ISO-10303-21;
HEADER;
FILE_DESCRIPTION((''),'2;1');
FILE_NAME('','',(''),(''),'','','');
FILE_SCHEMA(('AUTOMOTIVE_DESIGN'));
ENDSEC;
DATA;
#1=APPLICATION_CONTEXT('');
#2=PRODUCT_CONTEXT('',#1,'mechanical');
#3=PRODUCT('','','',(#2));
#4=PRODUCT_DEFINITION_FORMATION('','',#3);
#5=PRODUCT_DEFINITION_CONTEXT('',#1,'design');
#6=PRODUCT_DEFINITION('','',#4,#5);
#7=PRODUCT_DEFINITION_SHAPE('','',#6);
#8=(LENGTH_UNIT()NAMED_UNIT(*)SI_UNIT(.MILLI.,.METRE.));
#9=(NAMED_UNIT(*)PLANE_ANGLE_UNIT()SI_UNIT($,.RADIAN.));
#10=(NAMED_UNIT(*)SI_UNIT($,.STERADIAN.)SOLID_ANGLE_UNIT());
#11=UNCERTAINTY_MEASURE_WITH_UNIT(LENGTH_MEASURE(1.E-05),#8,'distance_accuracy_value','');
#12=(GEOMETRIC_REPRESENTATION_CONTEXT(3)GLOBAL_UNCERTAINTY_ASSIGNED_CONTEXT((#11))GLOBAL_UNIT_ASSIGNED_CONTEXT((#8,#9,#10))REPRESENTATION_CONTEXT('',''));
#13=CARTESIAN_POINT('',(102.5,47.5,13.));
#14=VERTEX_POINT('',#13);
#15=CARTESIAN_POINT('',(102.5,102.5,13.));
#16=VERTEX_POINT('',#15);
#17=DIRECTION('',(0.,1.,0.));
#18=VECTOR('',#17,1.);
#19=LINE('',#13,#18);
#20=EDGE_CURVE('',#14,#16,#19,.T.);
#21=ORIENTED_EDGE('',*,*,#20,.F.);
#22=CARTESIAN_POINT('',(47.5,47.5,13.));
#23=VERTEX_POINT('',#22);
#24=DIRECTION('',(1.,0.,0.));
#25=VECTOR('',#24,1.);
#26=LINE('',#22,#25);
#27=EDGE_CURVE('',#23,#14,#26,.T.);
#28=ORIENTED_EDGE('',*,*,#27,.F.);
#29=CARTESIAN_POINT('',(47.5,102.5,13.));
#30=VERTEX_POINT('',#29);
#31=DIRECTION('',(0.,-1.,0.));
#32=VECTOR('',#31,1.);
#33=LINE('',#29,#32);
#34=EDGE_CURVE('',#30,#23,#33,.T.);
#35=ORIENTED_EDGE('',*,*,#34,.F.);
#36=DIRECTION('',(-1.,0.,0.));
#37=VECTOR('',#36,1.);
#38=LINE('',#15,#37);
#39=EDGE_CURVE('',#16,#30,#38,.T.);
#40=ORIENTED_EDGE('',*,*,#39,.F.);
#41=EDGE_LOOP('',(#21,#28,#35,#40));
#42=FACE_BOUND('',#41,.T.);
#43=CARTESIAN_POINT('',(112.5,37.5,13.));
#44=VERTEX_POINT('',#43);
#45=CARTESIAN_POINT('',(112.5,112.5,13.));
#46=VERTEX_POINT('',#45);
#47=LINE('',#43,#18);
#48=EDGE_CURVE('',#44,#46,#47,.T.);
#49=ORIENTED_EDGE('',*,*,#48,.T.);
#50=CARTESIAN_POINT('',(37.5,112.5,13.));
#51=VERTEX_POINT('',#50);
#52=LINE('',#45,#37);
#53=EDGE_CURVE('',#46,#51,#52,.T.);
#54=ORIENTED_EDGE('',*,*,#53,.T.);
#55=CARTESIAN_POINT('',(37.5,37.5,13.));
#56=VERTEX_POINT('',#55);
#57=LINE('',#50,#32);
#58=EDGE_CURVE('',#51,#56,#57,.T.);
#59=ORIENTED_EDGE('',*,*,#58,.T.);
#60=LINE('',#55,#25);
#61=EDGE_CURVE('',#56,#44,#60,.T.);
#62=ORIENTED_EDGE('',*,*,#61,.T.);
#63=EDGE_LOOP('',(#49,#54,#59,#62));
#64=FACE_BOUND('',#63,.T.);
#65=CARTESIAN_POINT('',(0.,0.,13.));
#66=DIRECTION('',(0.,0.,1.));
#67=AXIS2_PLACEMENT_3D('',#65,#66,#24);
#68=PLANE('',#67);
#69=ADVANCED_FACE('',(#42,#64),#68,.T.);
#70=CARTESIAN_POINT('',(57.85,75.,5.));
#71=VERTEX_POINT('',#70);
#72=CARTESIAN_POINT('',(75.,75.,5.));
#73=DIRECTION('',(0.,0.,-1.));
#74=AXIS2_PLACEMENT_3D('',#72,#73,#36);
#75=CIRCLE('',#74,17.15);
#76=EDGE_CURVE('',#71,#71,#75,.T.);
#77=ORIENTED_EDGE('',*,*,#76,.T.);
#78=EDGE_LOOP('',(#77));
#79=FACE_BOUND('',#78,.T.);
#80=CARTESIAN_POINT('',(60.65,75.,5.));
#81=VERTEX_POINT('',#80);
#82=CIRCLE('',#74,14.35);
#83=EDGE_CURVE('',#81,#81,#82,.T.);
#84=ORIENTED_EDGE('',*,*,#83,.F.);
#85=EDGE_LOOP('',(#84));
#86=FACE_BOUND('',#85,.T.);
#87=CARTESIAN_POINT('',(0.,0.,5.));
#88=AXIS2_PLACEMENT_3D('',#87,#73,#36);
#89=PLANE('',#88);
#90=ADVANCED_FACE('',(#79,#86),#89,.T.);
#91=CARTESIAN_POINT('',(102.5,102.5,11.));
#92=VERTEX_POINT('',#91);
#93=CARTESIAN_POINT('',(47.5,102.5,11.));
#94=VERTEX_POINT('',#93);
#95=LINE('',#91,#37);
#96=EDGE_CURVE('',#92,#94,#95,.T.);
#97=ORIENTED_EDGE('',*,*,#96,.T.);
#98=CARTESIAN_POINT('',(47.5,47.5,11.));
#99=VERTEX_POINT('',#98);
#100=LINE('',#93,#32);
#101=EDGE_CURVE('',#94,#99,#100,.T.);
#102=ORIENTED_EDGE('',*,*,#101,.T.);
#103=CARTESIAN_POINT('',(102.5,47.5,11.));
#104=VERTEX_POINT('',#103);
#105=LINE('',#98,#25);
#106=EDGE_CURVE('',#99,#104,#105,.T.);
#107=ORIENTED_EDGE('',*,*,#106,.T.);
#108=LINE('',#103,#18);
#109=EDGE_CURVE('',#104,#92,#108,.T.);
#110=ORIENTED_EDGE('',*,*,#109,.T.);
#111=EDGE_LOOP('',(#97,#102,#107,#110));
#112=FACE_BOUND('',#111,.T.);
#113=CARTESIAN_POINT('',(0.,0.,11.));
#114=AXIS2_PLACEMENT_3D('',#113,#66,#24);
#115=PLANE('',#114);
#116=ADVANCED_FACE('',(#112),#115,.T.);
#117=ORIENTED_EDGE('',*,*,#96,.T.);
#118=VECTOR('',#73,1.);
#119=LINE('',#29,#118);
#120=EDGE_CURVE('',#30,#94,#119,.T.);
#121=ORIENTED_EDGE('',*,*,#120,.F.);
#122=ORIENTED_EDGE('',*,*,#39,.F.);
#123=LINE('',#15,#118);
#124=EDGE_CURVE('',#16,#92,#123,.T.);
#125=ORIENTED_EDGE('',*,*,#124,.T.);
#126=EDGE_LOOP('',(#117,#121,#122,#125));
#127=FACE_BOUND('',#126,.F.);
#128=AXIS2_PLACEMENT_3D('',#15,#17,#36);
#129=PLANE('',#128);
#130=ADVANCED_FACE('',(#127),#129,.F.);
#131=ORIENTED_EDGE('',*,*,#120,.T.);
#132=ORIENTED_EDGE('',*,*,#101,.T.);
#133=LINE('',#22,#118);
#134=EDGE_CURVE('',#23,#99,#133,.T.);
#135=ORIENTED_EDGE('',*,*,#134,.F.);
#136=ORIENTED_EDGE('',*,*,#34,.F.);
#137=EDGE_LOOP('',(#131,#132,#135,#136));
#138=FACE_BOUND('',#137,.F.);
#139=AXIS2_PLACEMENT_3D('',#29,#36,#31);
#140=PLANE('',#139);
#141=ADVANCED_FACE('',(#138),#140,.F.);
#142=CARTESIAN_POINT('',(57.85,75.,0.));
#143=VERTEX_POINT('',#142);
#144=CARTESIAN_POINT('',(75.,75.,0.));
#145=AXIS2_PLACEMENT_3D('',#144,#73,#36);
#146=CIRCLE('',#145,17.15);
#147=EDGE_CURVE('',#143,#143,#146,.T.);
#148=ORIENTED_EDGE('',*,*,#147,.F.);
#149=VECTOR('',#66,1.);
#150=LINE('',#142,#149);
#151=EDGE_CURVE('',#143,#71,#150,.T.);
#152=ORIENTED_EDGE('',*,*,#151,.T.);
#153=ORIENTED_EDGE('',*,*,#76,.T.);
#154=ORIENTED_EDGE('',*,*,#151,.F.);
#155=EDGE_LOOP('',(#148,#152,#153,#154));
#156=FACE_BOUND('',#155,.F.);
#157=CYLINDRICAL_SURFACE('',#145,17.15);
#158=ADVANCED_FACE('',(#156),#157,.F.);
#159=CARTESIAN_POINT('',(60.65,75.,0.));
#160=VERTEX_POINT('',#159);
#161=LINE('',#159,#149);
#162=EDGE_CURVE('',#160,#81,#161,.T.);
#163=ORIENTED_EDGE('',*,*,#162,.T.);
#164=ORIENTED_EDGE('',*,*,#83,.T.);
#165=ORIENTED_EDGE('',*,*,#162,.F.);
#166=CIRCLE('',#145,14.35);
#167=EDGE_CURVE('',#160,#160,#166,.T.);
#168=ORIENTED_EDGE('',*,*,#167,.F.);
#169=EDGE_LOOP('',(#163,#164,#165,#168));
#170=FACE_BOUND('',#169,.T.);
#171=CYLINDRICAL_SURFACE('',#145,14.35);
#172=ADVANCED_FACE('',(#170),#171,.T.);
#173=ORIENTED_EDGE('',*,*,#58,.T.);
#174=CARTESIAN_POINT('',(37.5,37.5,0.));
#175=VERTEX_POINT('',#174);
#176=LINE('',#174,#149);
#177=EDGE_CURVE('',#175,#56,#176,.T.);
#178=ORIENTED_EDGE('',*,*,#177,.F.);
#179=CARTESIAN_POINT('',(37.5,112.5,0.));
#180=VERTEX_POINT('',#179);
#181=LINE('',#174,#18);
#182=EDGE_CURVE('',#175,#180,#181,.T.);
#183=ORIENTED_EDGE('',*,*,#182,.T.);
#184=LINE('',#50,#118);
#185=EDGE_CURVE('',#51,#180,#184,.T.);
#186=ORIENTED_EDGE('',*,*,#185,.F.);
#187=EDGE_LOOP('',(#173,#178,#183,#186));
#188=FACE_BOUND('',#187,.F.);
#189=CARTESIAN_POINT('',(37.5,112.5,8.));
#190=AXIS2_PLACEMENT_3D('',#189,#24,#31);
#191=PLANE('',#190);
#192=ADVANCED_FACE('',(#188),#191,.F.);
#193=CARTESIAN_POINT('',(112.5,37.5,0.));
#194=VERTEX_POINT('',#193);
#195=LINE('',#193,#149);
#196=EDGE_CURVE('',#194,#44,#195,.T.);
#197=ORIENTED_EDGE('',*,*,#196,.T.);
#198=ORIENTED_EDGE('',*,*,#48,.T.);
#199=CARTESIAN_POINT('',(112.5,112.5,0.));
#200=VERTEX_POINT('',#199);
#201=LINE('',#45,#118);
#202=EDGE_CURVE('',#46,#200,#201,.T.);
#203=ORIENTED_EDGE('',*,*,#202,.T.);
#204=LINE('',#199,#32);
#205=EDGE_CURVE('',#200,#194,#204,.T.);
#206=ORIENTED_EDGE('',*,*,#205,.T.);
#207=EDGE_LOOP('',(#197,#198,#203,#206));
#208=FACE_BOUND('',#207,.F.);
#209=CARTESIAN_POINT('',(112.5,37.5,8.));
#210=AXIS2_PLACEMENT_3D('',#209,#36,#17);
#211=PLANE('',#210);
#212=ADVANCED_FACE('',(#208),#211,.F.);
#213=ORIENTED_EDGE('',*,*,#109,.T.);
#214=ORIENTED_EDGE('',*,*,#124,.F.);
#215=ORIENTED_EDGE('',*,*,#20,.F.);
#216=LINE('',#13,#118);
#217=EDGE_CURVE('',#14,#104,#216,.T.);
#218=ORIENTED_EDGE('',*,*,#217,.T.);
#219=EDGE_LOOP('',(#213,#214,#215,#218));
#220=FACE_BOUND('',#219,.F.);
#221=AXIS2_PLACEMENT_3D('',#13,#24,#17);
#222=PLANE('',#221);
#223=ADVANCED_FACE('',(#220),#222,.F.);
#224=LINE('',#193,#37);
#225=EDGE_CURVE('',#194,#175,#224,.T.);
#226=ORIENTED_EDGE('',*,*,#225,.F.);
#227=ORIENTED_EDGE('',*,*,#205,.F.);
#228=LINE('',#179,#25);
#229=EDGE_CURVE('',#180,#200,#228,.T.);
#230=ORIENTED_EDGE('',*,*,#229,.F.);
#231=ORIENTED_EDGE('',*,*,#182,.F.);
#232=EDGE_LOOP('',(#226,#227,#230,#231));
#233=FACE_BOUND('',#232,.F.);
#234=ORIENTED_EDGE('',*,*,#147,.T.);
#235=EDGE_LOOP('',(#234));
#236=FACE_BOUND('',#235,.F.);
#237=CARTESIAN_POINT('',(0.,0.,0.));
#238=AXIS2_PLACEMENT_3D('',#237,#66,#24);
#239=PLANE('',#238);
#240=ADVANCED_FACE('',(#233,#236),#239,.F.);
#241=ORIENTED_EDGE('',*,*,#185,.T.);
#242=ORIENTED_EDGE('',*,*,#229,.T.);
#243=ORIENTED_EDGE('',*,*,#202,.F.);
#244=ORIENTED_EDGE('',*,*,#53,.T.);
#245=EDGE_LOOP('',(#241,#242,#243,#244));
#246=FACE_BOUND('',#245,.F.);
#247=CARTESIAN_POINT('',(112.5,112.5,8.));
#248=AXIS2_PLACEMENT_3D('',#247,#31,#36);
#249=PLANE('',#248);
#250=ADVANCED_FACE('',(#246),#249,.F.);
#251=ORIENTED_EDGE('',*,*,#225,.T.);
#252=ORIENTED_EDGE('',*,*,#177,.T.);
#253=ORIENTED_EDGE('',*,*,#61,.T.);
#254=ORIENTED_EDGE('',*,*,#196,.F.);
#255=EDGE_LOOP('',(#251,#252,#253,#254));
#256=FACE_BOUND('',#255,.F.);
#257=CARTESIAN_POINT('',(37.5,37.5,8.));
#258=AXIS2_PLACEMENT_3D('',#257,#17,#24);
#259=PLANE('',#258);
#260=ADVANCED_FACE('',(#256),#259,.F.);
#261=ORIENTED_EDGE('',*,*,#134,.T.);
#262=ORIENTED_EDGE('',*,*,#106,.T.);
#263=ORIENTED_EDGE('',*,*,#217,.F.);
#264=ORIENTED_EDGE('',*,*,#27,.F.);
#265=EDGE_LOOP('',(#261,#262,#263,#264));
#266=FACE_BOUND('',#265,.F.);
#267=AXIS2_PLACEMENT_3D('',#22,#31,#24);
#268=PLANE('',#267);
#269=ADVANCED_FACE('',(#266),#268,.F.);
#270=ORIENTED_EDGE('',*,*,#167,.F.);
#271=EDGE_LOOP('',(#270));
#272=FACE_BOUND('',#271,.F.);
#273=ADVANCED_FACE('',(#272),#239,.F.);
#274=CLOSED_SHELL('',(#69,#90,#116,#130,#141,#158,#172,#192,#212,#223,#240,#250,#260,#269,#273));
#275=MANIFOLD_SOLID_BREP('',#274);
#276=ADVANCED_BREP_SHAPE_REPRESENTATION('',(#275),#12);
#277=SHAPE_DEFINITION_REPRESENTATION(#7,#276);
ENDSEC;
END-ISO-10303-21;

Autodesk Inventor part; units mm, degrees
ref_plane "YZ Plane" through (0, 0, 0) normal (1, 0, 0) x (0, 1, 0)
ref_plane "XZ Plane" through (0, 0, 0) normal (0, 1, 0) x (-1, 0, 0)
ref_plane "XY Plane" through (0, 0, 0) normal (0, 0, 1) x (1, 0, 0)
sketch "Sketch4" plane through (0, 0, 0) normal (0, 0, 1) x (1, 0, 0)
  line L0 (0, 0) -> (150, 0)
  line L1 (150, 0) -> (150, 150)
  line L2 (150, 150) -> (0, 150)
  line L3 (0, 150) -> (0, 0)
  dimension "d34" = 150
  dimension "d35" = 150
extrude "Extrusion4" add sketch "Sketch4" along normal blind 10
sketch "Sketch5" plane through (0, 0, 10) normal (0, 0, 1) x (1, 0, 0)
  line L0 (10, 10) -> (140, 10)
  line L1 (140, 10) -> (140, 140)
  line L2 (140, 140) -> (10, 140)
  line L3 (10, 140) -> (10, 10)
  point P0 (0, 0)
  dimension "d38" = 130
  dimension "d39" = 130
extrude "Extrusion5" cut sketch "Sketch5" against normal blind 2
sketch "Sketch6" plane through (0, 0, 0) normal (0, 0, -1) x (-1, 0, 0)
  circle A0 centre (-75, 75) radius 14.35
  circle A1 centre (-75, 75) radius 17.15
  line L0 (-147.5, 2.5) -> (-142.5, 2.5)
  line L1 (-142.5, 2.5) -> (-142.5, 7.5)
  line L2 (-142.5, 7.5) -> (-147.5, 7.5)
  line L3 (-147.5, 7.5) -> (-147.5, 2.5)
  line L4 (-2.5, 2.5) -> (-7.5, 2.5)
  line L5 (-7.5, 2.5) -> (-7.5, 7.5)
  line L6 (-7.5, 7.5) -> (-2.5, 7.5)
  line L7 (-2.5, 7.5) -> (-2.5, 2.5)
  line L8 (-147.5, 147.5) -> (-142.5, 147.5)
  line L9 (-142.5, 147.5) -> (-142.5, 142.5)
  line L10 (-142.5, 142.5) -> (-147.5, 142.5)
  line L11 (-147.5, 142.5) -> (-147.5, 147.5)
  line L12 (-2.5, 147.5) -> (-7.5, 147.5)
  line L13 (-7.5, 147.5) -> (-7.5, 142.5)
  line L14 (-7.5, 142.5) -> (-2.5, 142.5)
  line L15 (-2.5, 142.5) -> (-2.5, 147.5)
  point P0 (0, 0)
  dimension "d42" = 28.7
  dimension "d43" = 34.3
  dimension "d46" = 5
  dimension "d47" = 5
  dimension "d48" = 5
  dimension "d49" = 5
  dimension "d50" = 5
  dimension "d51" = 5
  dimension "d52" = 5
  dimension "d53" = 5
extrude "Extrusion7" cut sketch "Sketch6" against normal blind 5
sketch "Sketch7" plane through (0, 0, 8) normal (0, 0, 1) x (1, 0, 0)
  line L0 (47.5, 102.5) -> (102.5, 102.5)
  line L1 (102.5, 102.5) -> (102.5, 47.5)
  line L2 (102.5, 47.5) -> (47.5, 47.5)
  line L3 (47.5, 47.5) -> (47.5, 102.5)
  point P0 (0, 0)
  dimension "d58" = 55
  dimension "d59" = 55
extrude "Extrusion8" cut sketch "Sketch7" against normal blind 2
sketch "Sketch8" plane through (0, 0, 10) normal (0, 0, 1) x (1, 0, 0)
  line L0 (0, 0) -> (150, 0)
  line L1 (150, 0) -> (150, 150)
  line L2 (150, 150) -> (0, 150)
  line L3 (0, 150) -> (0, 0)
  line L4 (37.5, 112.5) -> (112.5, 112.5)
  line L5 (112.5, 112.5) -> (112.5, 37.5)
  line L6 (112.5, 37.5) -> (37.5, 37.5)
  line L7 (37.5, 37.5) -> (37.5, 112.5)
  dimension "d62" = 150
  dimension "d63" = 150
  dimension "d64" = 75
  dimension "d65" = 75
extrude "Extrusion9" cut sketch "Sketch8" against normal blind 10
sketch "Sketch9" plane through (0, 0, 6) normal (0, 0, 1) x (1, 0, 0)
  line L0 (47.5, 47.5) -> (47.5, 102.5) projected
  line L1 (47.5, 47.5) -> (102.5, 47.5)
  line L2 (102.5, 47.5) -> (102.5, 102.5)
  line L3 (102.5, 102.5) -> (47.5, 102.5)
  line L4 (47.5, 102.5) -> (47.5, 47.5)
  point P0 (0, 0)
  dimension "d68" = 55
  dimension "d69" = 55
extrude "Extrusion10" add sketch "Sketch9" along normal blind 2
sketch "Sketch10" plane through (0, 0, 8) normal (0, 0, 1) x (1, 0, 0)
  line L0 (37.5, 37.5) -> (112.5, 37.5) projected
  line L1 (112.5, 37.5) -> (112.5, 112.5) projected
  line L2 (37.5, 37.5) -> (112.5, 37.5)
  line L3 (112.5, 37.5) -> (112.5, 112.5)
  line L4 (112.5, 112.5) -> (37.5, 112.5)
  line L5 (37.5, 112.5) -> (37.5, 37.5)
  point P0 (0, 0)
  dimension "d72" = 75
  dimension "d73" = 75
extrude "Extrusion11" add sketch "Sketch10" along normal blind 5
sketch "Sketch11" plane through (0, 0, 13) normal (0, 0, 1) x (1, 0, 0)
  line L0 (47.5, 47.5) -> (102.5, 47.5)
  line L1 (102.5, 47.5) -> (102.5, 102.5)
  line L2 (102.5, 102.5) -> (47.5, 102.5)
  line L3 (47.5, 102.5) -> (47.5, 47.5)
  point P0 (0, 0)
  dimension "d76" = 55
  dimension "d77" = 55
extrude "Extrusion12" cut sketch "Sketch11" against normal blind 2
sketch "Sketch12" plane through (0, 0, 11) normal (0, 0, 1) x (1, 0, 0)
  circle A0 centre (75, 75) radius 14.35
  circle A1 centre (75, 75) radius 17.15
  point P0 (0, 0)
properties part number "Elbow_Parallel_Joint"
